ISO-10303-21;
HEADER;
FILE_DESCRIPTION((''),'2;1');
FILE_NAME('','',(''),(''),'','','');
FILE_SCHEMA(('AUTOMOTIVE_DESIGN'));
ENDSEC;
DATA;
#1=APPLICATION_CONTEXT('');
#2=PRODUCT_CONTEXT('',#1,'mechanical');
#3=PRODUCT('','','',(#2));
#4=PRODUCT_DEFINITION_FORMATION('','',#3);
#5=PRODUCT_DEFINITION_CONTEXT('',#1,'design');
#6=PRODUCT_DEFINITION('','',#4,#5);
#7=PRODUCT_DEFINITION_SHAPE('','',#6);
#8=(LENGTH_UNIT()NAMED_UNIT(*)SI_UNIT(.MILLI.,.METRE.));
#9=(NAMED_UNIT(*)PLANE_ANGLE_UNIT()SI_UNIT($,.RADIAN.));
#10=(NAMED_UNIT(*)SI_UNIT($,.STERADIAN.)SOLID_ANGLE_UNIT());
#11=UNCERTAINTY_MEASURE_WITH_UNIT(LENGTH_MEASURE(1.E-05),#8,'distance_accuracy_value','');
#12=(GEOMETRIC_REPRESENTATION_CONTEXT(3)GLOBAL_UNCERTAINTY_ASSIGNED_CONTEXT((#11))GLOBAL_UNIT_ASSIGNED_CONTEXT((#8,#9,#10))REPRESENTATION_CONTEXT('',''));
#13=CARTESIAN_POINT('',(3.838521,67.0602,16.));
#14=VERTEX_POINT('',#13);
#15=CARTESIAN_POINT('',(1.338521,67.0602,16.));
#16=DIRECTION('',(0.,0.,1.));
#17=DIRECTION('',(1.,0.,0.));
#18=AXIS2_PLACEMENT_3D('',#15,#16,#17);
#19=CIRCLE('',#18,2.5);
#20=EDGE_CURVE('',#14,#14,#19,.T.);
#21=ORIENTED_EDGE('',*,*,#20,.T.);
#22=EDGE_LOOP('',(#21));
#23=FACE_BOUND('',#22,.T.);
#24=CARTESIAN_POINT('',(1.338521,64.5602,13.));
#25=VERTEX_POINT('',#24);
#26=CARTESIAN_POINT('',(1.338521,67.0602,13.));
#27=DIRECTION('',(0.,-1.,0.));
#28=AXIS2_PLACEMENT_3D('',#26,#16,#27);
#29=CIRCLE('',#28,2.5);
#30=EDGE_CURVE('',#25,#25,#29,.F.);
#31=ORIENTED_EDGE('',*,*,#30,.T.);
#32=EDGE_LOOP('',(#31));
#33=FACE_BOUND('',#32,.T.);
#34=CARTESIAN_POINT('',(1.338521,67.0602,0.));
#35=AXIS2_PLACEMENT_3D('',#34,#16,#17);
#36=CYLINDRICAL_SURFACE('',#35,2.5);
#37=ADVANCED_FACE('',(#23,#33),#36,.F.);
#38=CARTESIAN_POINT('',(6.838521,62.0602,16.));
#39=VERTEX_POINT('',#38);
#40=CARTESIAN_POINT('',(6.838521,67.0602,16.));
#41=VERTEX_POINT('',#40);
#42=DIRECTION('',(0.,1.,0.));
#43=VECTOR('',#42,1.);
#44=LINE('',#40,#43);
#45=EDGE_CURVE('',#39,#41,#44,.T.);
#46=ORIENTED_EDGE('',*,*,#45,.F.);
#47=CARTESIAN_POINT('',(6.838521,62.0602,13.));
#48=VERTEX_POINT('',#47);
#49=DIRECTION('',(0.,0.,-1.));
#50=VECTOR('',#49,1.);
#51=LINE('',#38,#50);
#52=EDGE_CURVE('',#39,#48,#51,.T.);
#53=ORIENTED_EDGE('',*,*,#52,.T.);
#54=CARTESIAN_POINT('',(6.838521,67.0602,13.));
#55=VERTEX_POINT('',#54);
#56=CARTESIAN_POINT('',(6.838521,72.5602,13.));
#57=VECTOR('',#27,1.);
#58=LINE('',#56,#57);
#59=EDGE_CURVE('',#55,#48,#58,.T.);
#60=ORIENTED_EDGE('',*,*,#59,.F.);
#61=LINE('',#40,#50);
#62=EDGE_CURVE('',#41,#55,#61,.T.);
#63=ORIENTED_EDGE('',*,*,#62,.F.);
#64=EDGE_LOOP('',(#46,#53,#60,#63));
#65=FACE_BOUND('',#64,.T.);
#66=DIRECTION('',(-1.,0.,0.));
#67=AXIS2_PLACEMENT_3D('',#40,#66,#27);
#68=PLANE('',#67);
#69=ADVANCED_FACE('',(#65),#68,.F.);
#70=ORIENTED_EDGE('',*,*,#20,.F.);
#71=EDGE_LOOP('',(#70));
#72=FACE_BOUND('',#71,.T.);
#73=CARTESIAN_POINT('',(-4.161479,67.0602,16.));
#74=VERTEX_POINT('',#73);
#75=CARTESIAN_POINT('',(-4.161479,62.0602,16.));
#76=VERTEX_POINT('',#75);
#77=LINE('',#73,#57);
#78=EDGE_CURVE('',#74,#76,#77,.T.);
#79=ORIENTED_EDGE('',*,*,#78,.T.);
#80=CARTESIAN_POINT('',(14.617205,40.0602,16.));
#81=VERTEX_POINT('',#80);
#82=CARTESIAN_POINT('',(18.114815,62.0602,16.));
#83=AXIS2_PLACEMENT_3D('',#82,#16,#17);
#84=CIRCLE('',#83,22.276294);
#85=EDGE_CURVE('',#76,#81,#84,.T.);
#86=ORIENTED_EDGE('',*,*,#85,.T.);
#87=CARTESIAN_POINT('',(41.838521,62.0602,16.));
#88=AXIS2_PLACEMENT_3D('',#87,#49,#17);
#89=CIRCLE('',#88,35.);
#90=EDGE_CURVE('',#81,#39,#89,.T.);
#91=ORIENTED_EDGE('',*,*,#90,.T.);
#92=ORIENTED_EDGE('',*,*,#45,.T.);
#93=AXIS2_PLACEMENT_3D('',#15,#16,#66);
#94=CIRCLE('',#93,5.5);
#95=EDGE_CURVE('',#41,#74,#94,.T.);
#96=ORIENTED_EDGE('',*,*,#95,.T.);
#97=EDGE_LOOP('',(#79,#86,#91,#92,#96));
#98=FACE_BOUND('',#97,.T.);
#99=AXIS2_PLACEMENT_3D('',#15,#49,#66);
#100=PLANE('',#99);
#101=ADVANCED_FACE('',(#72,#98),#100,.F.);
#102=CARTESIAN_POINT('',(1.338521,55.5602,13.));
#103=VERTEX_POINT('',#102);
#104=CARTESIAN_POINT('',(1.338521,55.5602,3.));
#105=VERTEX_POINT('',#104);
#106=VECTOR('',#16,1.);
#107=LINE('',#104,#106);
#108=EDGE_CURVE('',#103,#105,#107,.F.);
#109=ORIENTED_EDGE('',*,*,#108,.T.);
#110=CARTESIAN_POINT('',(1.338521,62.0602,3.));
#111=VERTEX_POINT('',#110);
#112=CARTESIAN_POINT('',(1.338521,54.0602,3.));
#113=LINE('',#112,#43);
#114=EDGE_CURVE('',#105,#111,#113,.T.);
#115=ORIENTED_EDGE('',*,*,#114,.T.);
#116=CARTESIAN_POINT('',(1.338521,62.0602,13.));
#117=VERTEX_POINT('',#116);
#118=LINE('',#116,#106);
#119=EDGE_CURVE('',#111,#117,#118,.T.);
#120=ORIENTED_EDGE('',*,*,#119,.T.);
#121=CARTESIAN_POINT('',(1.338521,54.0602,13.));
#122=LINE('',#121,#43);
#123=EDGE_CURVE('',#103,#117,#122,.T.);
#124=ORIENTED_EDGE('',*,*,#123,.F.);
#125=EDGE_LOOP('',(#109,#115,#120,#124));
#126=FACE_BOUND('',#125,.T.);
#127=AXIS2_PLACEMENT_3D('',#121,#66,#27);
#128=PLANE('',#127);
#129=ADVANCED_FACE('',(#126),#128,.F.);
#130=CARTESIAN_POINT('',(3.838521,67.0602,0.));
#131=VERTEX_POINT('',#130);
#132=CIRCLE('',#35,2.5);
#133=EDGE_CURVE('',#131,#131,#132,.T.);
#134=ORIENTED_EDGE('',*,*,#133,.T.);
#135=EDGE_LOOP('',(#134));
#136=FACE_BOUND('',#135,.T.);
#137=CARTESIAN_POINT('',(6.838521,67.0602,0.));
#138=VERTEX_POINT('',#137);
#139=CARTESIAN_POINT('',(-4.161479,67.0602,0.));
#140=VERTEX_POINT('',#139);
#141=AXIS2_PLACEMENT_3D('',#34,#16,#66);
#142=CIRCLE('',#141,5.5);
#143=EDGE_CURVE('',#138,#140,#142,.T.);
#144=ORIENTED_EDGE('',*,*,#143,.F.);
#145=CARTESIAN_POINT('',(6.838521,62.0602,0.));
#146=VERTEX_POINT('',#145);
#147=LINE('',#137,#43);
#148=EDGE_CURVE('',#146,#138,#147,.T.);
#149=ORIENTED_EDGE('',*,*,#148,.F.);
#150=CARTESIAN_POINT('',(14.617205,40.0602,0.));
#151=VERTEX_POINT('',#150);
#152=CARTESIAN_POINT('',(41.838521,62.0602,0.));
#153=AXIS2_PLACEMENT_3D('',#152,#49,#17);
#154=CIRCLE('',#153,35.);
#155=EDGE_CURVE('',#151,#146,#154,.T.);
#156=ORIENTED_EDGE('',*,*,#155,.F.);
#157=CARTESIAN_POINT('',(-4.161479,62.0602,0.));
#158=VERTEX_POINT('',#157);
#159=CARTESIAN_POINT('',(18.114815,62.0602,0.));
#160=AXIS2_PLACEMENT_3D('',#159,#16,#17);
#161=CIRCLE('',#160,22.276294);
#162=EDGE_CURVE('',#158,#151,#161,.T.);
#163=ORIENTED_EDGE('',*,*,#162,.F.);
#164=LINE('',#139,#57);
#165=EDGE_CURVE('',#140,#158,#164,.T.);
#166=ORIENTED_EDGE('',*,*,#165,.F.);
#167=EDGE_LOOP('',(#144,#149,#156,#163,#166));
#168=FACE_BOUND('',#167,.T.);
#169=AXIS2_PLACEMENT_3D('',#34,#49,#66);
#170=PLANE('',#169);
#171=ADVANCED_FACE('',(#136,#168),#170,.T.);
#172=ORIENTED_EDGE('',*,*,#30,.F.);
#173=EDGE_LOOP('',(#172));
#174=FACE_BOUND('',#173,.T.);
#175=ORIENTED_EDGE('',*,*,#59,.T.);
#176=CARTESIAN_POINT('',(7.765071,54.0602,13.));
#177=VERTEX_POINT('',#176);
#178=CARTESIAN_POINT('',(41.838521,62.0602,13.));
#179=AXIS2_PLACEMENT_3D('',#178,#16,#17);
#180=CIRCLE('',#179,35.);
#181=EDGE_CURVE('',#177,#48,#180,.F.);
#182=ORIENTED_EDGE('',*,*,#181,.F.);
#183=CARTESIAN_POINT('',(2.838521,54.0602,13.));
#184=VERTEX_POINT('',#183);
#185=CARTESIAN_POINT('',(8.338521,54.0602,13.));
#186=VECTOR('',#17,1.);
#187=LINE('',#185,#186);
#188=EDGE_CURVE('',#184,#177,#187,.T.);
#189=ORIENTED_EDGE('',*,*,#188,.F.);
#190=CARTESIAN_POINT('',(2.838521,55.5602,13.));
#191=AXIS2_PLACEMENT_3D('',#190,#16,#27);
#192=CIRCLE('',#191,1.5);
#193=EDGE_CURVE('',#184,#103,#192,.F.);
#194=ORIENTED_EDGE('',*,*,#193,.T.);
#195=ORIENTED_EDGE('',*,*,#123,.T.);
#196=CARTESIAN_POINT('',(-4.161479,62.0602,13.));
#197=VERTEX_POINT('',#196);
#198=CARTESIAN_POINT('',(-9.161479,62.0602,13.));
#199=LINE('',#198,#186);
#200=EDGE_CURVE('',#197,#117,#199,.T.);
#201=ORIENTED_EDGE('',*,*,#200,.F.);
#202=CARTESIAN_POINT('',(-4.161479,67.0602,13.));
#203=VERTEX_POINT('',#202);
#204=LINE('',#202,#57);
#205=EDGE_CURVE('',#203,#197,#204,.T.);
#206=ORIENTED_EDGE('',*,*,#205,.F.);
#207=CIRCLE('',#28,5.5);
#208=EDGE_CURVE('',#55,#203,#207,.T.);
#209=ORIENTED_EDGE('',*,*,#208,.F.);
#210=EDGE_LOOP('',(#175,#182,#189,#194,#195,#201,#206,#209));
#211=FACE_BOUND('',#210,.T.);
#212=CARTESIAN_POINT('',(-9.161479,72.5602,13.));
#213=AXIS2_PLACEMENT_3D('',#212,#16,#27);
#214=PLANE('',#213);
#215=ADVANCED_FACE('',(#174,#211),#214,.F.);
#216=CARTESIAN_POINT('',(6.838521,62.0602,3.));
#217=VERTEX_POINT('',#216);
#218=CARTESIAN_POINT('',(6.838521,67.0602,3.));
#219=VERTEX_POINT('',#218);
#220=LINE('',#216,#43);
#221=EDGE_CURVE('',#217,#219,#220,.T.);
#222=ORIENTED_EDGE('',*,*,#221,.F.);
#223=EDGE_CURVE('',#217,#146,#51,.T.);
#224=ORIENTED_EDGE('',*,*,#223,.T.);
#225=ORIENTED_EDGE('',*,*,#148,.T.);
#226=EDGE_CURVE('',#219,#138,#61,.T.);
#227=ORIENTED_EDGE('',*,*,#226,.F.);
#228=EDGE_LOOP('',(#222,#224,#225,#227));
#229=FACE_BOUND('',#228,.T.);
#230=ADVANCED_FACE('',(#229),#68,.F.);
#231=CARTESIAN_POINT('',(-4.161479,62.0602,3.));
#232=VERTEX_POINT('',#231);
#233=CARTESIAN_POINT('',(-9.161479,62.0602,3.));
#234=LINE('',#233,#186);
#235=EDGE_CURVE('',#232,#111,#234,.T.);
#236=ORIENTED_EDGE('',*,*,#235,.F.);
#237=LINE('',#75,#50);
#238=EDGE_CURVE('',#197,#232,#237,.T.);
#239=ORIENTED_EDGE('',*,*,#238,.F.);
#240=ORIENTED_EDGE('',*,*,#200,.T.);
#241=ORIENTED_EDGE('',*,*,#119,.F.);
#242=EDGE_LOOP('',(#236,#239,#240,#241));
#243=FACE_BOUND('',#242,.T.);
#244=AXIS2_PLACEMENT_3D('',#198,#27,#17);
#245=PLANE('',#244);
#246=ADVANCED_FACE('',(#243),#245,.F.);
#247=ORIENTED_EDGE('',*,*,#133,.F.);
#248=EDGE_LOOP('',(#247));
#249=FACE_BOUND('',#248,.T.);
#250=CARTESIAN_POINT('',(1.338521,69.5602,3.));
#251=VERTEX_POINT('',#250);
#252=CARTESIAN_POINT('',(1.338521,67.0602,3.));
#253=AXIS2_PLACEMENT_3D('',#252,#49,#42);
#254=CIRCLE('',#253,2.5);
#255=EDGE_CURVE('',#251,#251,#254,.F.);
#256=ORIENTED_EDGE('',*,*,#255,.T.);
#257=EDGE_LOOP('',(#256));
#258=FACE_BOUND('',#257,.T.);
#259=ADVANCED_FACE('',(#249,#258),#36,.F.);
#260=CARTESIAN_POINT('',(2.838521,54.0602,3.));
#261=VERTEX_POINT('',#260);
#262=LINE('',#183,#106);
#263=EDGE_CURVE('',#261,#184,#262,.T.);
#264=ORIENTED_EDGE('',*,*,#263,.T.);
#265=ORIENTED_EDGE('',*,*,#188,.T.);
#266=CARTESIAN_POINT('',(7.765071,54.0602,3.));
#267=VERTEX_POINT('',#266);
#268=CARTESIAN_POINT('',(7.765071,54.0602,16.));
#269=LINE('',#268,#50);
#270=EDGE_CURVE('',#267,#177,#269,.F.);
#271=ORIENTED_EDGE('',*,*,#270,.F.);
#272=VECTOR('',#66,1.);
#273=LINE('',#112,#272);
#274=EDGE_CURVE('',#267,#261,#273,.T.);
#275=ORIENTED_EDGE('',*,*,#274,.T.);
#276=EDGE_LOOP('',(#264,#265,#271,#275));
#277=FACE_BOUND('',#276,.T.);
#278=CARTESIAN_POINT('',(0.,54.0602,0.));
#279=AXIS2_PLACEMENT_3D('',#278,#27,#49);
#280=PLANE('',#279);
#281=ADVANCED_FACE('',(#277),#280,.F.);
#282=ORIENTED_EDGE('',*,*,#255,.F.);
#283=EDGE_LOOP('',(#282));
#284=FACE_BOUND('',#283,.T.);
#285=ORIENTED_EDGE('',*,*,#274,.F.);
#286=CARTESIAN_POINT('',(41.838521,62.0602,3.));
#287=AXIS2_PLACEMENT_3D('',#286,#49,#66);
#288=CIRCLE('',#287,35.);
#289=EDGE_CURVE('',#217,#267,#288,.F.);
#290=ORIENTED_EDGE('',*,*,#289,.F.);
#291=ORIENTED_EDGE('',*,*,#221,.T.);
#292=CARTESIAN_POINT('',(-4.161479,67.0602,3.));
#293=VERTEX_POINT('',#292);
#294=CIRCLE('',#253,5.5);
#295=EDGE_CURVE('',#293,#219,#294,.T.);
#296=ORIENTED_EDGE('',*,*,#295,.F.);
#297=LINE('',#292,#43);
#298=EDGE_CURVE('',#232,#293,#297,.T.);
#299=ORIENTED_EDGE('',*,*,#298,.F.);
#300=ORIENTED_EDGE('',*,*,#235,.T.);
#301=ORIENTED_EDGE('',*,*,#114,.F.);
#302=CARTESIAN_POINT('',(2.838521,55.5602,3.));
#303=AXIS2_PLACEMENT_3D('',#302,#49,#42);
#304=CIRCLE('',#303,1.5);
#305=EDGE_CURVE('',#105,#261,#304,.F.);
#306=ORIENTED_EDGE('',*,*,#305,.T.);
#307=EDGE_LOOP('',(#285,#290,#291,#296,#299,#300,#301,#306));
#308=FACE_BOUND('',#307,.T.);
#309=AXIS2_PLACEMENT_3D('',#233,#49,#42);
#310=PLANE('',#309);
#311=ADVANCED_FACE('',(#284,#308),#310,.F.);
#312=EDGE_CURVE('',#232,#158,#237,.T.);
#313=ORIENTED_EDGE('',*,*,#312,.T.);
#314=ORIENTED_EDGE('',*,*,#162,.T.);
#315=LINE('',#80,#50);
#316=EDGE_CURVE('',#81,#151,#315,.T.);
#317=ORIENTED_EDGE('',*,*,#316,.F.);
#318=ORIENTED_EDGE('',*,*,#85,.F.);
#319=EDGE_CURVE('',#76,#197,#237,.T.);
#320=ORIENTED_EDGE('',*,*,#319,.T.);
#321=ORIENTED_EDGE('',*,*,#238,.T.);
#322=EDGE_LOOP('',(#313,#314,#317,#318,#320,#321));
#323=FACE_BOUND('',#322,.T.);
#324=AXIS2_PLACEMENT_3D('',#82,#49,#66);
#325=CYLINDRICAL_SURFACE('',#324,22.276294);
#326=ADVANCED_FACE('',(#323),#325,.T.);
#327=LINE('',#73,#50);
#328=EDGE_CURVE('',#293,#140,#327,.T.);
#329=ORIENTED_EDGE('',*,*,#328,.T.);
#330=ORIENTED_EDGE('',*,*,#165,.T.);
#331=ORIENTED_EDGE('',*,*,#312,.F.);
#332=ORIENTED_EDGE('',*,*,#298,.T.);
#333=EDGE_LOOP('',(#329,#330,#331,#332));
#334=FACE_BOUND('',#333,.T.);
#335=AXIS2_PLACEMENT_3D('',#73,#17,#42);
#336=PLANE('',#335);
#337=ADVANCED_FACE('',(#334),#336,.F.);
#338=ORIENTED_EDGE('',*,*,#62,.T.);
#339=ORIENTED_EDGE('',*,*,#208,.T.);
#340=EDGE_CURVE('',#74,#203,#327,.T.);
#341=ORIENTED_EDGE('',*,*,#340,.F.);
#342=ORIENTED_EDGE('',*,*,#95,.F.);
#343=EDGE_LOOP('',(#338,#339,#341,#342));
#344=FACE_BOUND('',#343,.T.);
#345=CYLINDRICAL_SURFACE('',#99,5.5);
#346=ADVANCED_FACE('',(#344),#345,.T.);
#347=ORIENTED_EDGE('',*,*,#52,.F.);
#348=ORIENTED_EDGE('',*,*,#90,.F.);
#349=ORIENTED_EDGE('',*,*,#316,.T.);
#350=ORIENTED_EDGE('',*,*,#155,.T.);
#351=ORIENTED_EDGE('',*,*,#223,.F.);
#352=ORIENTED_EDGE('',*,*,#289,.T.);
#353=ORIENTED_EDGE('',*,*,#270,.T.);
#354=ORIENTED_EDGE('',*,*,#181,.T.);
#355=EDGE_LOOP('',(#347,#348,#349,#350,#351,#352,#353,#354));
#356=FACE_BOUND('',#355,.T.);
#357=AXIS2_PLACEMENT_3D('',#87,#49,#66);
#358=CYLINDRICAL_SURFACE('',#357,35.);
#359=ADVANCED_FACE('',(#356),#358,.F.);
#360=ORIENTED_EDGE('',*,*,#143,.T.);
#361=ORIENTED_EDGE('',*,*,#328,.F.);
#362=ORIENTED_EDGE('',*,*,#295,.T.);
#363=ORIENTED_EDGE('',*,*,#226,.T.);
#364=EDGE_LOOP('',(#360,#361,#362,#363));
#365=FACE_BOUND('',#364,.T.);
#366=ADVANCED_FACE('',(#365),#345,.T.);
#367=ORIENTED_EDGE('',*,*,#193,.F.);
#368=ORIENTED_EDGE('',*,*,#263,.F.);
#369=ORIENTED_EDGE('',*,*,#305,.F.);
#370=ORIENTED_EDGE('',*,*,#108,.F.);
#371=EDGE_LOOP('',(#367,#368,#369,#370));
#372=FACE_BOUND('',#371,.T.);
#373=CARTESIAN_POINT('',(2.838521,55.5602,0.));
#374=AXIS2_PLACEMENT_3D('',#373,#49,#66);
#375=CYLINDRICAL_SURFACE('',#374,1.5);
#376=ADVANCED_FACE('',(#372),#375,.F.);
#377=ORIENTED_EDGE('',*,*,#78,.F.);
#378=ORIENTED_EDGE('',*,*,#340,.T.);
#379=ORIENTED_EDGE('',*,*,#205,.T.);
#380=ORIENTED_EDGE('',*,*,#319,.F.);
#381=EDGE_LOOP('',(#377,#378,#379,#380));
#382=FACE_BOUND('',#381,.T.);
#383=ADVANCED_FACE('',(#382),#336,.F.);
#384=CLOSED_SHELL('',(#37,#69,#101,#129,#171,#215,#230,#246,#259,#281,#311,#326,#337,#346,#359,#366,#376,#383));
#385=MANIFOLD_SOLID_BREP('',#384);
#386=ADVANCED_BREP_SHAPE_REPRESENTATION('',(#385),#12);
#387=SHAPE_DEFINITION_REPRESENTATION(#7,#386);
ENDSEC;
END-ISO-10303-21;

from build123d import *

# Parameters (mm, degrees)
EXTRUDE_1_DEPTH     = 16
SKETCH_2_R          = 2.5
CUT_EXTRUDE_1_DEPTH = 76.727440999
SKETCH_3_W          = 10
SKETCH_3_H          = 10.5
CUT_EXTRUDE_2_DEPTH = 16
SKETCH_4_W          = 7
SKETCH_4_H          = 10
CUT_EXTRUDE_3_DEPTH = 8
FILLET_1_R          = 1.5


with BuildPart() as part:
    # 草图1 → 凸台-拉伸1 (new body)
    with BuildSketch(Plane.XY):
        with BuildLine():
            Line((-4.161479336, 67.0602), (-4.161479336, 62.0602))
            ThreePointArc((-4.161479336, 62.0602), (1.171570518, 47.59784366), (14.617205486, 40.0602))
            ThreePointArc((14.617205486, 40.0602), (8.840444726, 50.39285307), (6.838520664, 62.0602))
            Line((6.838520664, 62.0602), (6.838520664, 67.0602))
            ThreePointArc((6.838520664, 67.0602), (1.338520664, 72.5602), (-4.161479336, 67.0602))
        make_face()
    extrude(amount=EXTRUDE_1_DEPTH)

    # 草图2 → 切除-拉伸1 (cut, through all)
    with BuildSketch(Plane.XY.offset(16)):
        with Locations((1.338520664, 67.0602)):
            Circle(SKETCH_2_R)
    extrude(amount=-CUT_EXTRUDE_1_DEPTH, mode=Mode.SUBTRACT)

    # 草图3 → 切除-拉伸2 (cut)
    with BuildSketch(Plane(origin=(6.838520664, 0, 0), x_dir=(0, 0, -1), z_dir=(1, 0, 0))):
        with Locations((-8, 67.3102)):
            Rectangle(SKETCH_3_W, SKETCH_3_H)
    extrude(amount=-CUT_EXTRUDE_2_DEPTH, mode=Mode.SUBTRACT)

    # 草图4 → 切除-拉伸3 (cut)
    with BuildSketch(Plane(origin=(0, 62.0602, 0), x_dir=(1, 0, 0), z_dir=(0, 1, 0))):
        with Locations((4.838520664, -8)):
            Rectangle(SKETCH_4_W, SKETCH_4_H)
    extrude(amount=-CUT_EXTRUDE_3_DEPTH, mode=Mode.SUBTRACT)

    # 圆角1
    fillet_1_edges = [part.edges().sort_by_distance(p)[0] for p in [
        (1.338520664, 54.0602, 8),
    ]]
    fillet(fillet_1_edges, radius=FILLET_1_R)


solid = part.part
